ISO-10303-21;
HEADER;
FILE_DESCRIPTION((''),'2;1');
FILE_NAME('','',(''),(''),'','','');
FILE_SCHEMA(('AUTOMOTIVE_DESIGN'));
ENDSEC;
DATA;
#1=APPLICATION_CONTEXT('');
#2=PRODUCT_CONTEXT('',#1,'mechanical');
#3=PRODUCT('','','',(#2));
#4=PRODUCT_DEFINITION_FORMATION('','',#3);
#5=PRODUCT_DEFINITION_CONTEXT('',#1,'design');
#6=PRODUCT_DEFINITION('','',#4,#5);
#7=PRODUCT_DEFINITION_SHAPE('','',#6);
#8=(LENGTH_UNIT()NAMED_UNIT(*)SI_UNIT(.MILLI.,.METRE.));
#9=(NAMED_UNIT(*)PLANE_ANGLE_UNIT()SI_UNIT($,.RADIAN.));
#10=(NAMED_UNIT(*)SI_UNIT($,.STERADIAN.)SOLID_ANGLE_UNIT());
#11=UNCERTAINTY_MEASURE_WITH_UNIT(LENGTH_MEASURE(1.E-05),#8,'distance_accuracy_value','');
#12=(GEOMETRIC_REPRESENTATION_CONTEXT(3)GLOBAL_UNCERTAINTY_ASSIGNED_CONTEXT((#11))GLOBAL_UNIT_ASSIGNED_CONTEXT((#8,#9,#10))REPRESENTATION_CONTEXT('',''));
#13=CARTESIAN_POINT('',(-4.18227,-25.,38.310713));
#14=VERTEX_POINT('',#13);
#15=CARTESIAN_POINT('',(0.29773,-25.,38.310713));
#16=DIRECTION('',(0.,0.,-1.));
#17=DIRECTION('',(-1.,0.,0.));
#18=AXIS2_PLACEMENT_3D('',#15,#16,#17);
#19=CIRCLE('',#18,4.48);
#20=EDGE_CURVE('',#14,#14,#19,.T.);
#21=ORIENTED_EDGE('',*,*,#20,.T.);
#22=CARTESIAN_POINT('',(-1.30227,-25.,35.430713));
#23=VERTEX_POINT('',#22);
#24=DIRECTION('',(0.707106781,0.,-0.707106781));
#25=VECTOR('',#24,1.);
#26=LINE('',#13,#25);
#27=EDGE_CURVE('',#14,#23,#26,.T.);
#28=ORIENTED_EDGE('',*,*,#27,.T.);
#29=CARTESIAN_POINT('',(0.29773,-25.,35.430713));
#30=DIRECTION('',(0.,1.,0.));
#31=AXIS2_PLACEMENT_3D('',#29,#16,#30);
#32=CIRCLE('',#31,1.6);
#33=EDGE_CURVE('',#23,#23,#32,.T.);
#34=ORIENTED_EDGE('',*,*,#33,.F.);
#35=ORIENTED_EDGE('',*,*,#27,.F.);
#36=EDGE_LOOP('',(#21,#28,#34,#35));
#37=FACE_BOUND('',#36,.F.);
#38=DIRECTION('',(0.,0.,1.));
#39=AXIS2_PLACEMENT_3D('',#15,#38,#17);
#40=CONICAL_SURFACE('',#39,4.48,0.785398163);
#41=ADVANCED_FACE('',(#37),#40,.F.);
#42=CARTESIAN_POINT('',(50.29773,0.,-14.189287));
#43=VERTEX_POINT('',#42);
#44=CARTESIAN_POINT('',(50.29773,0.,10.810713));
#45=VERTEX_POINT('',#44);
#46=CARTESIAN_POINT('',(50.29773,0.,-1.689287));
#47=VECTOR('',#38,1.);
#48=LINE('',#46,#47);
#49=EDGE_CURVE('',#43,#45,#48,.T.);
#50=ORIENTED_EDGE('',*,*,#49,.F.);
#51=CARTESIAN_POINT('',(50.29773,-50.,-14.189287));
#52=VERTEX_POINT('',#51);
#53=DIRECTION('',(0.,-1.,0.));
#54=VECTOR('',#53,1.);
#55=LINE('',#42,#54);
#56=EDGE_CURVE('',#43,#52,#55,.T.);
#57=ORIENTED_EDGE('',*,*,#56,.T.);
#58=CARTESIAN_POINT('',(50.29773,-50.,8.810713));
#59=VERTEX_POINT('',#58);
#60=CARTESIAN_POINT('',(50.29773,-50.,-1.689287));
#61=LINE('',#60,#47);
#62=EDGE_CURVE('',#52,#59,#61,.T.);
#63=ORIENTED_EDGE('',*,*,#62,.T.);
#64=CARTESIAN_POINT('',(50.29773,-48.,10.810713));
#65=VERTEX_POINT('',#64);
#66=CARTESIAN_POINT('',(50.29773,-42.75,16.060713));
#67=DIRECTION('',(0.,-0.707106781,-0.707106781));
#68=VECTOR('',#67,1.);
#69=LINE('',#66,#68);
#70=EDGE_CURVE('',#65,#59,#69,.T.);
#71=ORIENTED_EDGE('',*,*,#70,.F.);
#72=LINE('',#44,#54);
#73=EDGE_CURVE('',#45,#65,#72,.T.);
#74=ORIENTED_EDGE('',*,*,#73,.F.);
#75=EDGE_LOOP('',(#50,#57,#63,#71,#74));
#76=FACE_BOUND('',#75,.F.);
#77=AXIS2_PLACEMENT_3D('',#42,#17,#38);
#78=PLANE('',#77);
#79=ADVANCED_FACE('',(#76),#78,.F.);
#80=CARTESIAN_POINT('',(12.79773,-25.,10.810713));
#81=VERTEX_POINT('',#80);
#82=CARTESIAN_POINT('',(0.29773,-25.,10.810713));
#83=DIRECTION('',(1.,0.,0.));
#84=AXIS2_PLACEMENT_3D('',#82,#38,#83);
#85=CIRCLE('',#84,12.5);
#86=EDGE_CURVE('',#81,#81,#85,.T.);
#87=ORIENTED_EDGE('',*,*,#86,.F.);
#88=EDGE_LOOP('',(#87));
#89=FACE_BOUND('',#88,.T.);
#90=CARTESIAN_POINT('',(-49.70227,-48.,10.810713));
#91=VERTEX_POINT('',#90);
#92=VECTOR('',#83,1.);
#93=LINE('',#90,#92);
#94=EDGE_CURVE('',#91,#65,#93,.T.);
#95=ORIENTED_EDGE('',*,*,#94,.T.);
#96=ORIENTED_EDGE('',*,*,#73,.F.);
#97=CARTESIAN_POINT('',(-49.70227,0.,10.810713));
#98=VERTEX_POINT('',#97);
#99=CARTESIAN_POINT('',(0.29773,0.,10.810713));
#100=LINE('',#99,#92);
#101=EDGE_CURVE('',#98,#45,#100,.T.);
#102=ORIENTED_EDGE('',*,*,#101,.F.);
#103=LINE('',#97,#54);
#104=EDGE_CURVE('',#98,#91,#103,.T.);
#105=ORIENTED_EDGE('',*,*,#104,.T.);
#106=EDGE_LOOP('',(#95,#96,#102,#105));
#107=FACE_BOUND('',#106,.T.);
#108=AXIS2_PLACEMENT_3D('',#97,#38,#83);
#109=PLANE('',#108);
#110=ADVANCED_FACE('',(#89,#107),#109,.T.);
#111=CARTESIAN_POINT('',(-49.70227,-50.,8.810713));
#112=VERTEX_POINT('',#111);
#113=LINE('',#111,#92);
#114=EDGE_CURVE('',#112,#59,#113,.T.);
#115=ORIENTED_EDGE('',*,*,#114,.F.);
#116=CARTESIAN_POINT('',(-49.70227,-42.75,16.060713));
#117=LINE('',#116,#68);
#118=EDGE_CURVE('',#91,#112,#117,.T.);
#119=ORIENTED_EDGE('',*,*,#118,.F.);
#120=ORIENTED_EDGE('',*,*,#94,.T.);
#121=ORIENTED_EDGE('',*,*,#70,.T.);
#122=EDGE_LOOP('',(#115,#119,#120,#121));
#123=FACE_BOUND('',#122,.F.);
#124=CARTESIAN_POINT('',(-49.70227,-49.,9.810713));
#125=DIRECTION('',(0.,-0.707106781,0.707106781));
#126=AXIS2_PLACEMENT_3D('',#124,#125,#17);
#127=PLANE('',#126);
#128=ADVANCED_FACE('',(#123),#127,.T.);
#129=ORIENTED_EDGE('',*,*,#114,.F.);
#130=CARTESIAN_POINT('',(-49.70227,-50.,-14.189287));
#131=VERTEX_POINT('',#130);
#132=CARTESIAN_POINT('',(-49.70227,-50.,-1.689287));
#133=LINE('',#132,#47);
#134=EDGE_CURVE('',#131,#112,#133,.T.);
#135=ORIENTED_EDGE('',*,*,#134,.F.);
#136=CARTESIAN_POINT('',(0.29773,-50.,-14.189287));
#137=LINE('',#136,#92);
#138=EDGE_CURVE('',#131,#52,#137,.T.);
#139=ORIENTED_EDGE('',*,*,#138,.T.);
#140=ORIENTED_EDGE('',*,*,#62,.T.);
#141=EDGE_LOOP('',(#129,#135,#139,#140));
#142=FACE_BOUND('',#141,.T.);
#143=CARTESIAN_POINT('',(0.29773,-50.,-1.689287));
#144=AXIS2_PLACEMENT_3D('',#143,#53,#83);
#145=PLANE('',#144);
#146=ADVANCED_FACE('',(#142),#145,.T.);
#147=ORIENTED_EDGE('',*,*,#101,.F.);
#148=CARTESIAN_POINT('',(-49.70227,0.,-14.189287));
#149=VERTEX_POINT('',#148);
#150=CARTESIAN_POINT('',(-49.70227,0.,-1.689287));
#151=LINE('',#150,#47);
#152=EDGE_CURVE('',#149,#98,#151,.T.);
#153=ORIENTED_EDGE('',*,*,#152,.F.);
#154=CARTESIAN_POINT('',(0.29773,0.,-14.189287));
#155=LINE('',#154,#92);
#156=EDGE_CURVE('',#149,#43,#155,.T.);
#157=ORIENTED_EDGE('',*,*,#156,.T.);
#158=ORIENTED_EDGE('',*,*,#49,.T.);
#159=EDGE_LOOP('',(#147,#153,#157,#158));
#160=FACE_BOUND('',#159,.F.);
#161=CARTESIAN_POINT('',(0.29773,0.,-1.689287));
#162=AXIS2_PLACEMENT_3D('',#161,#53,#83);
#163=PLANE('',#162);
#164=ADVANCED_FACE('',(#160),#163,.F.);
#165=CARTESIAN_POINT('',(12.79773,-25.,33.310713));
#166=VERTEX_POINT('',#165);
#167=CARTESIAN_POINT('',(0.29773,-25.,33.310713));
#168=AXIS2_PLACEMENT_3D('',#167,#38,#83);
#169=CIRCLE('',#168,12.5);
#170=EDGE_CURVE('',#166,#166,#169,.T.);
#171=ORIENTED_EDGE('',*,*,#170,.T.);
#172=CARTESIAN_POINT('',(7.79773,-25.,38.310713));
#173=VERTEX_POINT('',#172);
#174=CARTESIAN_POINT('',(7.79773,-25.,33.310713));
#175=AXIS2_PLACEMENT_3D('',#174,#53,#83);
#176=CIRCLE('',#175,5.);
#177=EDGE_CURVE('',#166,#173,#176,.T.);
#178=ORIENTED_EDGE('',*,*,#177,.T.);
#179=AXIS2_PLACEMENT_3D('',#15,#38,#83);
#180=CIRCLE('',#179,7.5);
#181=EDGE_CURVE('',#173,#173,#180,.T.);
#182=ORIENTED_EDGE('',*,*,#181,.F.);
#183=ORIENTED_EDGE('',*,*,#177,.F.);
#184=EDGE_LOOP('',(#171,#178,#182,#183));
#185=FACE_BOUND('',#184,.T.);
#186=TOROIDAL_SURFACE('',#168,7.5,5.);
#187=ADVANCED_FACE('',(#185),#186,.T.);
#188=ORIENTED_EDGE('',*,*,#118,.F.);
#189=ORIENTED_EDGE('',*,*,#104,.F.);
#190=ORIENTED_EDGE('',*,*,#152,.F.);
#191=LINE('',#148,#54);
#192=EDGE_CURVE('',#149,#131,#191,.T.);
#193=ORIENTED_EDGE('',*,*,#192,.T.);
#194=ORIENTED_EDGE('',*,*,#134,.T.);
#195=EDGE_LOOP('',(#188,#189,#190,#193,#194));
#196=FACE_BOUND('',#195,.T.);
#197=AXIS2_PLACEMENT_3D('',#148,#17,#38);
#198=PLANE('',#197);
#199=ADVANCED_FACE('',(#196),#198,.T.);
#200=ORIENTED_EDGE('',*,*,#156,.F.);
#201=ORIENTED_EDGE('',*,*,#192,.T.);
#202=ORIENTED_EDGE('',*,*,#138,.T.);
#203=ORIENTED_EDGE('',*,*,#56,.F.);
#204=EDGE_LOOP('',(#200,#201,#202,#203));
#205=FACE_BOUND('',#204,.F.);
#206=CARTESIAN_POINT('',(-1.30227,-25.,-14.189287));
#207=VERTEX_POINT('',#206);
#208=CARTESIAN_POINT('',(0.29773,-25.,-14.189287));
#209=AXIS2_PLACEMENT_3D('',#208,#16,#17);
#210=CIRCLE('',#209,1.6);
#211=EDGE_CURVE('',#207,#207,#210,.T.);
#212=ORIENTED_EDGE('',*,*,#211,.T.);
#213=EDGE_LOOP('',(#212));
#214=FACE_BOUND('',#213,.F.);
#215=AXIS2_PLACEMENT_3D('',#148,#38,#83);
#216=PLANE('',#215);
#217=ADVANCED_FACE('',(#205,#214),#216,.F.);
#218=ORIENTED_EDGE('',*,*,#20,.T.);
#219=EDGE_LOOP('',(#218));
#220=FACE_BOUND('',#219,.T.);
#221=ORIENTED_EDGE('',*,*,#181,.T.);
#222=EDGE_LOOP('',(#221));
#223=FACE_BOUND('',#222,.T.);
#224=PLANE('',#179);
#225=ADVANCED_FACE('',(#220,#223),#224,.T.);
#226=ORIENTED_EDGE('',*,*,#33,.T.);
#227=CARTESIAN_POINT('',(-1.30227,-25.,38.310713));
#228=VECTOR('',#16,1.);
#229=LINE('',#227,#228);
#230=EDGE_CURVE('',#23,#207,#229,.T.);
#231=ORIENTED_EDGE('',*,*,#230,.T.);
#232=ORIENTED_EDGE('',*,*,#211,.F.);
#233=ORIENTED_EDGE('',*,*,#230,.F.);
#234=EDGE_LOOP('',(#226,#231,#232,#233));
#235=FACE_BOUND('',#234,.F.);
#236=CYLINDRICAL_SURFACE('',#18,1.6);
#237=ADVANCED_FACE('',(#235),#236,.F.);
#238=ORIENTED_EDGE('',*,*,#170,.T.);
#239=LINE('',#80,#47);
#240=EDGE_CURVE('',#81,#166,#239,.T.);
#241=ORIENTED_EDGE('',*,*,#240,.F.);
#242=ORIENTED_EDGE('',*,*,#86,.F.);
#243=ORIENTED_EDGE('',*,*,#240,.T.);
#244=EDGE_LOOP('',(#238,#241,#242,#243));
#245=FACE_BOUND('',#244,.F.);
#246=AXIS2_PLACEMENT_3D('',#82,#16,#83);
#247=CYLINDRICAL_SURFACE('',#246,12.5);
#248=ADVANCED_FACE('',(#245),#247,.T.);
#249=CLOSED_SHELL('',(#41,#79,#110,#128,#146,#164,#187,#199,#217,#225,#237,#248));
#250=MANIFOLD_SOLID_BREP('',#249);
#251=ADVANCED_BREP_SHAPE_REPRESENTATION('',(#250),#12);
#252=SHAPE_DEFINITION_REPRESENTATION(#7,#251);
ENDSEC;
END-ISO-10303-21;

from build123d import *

# Parameters (mm, degrees)
F0_W           = 100
F0_H           = 25
F1_DEPTH       = 50
F2_SIZE        = 2
F3_R           = 12.5
F4_DEPTH       = 27.5
F5_R           = 5
F7_D           = 3.2
F7_CSINK_D     = 8.96
F7_CSINK_ANGLE = 90


with BuildPart() as f1:
    # F0 (on Front) → F1 (new body)
    with BuildSketch(Plane.XZ):
        with Locations((0.2977304684, -1.6892874761)):
            Rectangle(F0_W, F0_H)
    extrude(amount=F1_DEPTH)

    # F2
    f2_edges = [f1.edges().sort_by_distance(p)[0] for p in [
        (0.29773, -50, 10.810713),
    ]]
    chamfer(f2_edges, length=F2_SIZE)

    # F3 (on face) → F4 (join)
    with BuildSketch(Plane.XY.offset(10.8107125239)):
        with Locations((0.2977304684, -25)):
            Circle(F3_R)
    extrude(amount=F4_DEPTH)

    # F5
    f5_edges = [f1.edges().sort_by_distance(p)[0] for p in [
        (-12.20227, -25, 38.310713),
    ]]
    fillet(f5_edges, radius=F5_R)

    # F7 (through all)
    with Locations(Plane.XY.offset(38.3107125239)):
        with Locations((0.2977304684, -25)):
            CounterSinkHole(F7_D / 2, F7_CSINK_D / 2, counter_sink_angle=F7_CSINK_ANGLE)


solid = f1.part
